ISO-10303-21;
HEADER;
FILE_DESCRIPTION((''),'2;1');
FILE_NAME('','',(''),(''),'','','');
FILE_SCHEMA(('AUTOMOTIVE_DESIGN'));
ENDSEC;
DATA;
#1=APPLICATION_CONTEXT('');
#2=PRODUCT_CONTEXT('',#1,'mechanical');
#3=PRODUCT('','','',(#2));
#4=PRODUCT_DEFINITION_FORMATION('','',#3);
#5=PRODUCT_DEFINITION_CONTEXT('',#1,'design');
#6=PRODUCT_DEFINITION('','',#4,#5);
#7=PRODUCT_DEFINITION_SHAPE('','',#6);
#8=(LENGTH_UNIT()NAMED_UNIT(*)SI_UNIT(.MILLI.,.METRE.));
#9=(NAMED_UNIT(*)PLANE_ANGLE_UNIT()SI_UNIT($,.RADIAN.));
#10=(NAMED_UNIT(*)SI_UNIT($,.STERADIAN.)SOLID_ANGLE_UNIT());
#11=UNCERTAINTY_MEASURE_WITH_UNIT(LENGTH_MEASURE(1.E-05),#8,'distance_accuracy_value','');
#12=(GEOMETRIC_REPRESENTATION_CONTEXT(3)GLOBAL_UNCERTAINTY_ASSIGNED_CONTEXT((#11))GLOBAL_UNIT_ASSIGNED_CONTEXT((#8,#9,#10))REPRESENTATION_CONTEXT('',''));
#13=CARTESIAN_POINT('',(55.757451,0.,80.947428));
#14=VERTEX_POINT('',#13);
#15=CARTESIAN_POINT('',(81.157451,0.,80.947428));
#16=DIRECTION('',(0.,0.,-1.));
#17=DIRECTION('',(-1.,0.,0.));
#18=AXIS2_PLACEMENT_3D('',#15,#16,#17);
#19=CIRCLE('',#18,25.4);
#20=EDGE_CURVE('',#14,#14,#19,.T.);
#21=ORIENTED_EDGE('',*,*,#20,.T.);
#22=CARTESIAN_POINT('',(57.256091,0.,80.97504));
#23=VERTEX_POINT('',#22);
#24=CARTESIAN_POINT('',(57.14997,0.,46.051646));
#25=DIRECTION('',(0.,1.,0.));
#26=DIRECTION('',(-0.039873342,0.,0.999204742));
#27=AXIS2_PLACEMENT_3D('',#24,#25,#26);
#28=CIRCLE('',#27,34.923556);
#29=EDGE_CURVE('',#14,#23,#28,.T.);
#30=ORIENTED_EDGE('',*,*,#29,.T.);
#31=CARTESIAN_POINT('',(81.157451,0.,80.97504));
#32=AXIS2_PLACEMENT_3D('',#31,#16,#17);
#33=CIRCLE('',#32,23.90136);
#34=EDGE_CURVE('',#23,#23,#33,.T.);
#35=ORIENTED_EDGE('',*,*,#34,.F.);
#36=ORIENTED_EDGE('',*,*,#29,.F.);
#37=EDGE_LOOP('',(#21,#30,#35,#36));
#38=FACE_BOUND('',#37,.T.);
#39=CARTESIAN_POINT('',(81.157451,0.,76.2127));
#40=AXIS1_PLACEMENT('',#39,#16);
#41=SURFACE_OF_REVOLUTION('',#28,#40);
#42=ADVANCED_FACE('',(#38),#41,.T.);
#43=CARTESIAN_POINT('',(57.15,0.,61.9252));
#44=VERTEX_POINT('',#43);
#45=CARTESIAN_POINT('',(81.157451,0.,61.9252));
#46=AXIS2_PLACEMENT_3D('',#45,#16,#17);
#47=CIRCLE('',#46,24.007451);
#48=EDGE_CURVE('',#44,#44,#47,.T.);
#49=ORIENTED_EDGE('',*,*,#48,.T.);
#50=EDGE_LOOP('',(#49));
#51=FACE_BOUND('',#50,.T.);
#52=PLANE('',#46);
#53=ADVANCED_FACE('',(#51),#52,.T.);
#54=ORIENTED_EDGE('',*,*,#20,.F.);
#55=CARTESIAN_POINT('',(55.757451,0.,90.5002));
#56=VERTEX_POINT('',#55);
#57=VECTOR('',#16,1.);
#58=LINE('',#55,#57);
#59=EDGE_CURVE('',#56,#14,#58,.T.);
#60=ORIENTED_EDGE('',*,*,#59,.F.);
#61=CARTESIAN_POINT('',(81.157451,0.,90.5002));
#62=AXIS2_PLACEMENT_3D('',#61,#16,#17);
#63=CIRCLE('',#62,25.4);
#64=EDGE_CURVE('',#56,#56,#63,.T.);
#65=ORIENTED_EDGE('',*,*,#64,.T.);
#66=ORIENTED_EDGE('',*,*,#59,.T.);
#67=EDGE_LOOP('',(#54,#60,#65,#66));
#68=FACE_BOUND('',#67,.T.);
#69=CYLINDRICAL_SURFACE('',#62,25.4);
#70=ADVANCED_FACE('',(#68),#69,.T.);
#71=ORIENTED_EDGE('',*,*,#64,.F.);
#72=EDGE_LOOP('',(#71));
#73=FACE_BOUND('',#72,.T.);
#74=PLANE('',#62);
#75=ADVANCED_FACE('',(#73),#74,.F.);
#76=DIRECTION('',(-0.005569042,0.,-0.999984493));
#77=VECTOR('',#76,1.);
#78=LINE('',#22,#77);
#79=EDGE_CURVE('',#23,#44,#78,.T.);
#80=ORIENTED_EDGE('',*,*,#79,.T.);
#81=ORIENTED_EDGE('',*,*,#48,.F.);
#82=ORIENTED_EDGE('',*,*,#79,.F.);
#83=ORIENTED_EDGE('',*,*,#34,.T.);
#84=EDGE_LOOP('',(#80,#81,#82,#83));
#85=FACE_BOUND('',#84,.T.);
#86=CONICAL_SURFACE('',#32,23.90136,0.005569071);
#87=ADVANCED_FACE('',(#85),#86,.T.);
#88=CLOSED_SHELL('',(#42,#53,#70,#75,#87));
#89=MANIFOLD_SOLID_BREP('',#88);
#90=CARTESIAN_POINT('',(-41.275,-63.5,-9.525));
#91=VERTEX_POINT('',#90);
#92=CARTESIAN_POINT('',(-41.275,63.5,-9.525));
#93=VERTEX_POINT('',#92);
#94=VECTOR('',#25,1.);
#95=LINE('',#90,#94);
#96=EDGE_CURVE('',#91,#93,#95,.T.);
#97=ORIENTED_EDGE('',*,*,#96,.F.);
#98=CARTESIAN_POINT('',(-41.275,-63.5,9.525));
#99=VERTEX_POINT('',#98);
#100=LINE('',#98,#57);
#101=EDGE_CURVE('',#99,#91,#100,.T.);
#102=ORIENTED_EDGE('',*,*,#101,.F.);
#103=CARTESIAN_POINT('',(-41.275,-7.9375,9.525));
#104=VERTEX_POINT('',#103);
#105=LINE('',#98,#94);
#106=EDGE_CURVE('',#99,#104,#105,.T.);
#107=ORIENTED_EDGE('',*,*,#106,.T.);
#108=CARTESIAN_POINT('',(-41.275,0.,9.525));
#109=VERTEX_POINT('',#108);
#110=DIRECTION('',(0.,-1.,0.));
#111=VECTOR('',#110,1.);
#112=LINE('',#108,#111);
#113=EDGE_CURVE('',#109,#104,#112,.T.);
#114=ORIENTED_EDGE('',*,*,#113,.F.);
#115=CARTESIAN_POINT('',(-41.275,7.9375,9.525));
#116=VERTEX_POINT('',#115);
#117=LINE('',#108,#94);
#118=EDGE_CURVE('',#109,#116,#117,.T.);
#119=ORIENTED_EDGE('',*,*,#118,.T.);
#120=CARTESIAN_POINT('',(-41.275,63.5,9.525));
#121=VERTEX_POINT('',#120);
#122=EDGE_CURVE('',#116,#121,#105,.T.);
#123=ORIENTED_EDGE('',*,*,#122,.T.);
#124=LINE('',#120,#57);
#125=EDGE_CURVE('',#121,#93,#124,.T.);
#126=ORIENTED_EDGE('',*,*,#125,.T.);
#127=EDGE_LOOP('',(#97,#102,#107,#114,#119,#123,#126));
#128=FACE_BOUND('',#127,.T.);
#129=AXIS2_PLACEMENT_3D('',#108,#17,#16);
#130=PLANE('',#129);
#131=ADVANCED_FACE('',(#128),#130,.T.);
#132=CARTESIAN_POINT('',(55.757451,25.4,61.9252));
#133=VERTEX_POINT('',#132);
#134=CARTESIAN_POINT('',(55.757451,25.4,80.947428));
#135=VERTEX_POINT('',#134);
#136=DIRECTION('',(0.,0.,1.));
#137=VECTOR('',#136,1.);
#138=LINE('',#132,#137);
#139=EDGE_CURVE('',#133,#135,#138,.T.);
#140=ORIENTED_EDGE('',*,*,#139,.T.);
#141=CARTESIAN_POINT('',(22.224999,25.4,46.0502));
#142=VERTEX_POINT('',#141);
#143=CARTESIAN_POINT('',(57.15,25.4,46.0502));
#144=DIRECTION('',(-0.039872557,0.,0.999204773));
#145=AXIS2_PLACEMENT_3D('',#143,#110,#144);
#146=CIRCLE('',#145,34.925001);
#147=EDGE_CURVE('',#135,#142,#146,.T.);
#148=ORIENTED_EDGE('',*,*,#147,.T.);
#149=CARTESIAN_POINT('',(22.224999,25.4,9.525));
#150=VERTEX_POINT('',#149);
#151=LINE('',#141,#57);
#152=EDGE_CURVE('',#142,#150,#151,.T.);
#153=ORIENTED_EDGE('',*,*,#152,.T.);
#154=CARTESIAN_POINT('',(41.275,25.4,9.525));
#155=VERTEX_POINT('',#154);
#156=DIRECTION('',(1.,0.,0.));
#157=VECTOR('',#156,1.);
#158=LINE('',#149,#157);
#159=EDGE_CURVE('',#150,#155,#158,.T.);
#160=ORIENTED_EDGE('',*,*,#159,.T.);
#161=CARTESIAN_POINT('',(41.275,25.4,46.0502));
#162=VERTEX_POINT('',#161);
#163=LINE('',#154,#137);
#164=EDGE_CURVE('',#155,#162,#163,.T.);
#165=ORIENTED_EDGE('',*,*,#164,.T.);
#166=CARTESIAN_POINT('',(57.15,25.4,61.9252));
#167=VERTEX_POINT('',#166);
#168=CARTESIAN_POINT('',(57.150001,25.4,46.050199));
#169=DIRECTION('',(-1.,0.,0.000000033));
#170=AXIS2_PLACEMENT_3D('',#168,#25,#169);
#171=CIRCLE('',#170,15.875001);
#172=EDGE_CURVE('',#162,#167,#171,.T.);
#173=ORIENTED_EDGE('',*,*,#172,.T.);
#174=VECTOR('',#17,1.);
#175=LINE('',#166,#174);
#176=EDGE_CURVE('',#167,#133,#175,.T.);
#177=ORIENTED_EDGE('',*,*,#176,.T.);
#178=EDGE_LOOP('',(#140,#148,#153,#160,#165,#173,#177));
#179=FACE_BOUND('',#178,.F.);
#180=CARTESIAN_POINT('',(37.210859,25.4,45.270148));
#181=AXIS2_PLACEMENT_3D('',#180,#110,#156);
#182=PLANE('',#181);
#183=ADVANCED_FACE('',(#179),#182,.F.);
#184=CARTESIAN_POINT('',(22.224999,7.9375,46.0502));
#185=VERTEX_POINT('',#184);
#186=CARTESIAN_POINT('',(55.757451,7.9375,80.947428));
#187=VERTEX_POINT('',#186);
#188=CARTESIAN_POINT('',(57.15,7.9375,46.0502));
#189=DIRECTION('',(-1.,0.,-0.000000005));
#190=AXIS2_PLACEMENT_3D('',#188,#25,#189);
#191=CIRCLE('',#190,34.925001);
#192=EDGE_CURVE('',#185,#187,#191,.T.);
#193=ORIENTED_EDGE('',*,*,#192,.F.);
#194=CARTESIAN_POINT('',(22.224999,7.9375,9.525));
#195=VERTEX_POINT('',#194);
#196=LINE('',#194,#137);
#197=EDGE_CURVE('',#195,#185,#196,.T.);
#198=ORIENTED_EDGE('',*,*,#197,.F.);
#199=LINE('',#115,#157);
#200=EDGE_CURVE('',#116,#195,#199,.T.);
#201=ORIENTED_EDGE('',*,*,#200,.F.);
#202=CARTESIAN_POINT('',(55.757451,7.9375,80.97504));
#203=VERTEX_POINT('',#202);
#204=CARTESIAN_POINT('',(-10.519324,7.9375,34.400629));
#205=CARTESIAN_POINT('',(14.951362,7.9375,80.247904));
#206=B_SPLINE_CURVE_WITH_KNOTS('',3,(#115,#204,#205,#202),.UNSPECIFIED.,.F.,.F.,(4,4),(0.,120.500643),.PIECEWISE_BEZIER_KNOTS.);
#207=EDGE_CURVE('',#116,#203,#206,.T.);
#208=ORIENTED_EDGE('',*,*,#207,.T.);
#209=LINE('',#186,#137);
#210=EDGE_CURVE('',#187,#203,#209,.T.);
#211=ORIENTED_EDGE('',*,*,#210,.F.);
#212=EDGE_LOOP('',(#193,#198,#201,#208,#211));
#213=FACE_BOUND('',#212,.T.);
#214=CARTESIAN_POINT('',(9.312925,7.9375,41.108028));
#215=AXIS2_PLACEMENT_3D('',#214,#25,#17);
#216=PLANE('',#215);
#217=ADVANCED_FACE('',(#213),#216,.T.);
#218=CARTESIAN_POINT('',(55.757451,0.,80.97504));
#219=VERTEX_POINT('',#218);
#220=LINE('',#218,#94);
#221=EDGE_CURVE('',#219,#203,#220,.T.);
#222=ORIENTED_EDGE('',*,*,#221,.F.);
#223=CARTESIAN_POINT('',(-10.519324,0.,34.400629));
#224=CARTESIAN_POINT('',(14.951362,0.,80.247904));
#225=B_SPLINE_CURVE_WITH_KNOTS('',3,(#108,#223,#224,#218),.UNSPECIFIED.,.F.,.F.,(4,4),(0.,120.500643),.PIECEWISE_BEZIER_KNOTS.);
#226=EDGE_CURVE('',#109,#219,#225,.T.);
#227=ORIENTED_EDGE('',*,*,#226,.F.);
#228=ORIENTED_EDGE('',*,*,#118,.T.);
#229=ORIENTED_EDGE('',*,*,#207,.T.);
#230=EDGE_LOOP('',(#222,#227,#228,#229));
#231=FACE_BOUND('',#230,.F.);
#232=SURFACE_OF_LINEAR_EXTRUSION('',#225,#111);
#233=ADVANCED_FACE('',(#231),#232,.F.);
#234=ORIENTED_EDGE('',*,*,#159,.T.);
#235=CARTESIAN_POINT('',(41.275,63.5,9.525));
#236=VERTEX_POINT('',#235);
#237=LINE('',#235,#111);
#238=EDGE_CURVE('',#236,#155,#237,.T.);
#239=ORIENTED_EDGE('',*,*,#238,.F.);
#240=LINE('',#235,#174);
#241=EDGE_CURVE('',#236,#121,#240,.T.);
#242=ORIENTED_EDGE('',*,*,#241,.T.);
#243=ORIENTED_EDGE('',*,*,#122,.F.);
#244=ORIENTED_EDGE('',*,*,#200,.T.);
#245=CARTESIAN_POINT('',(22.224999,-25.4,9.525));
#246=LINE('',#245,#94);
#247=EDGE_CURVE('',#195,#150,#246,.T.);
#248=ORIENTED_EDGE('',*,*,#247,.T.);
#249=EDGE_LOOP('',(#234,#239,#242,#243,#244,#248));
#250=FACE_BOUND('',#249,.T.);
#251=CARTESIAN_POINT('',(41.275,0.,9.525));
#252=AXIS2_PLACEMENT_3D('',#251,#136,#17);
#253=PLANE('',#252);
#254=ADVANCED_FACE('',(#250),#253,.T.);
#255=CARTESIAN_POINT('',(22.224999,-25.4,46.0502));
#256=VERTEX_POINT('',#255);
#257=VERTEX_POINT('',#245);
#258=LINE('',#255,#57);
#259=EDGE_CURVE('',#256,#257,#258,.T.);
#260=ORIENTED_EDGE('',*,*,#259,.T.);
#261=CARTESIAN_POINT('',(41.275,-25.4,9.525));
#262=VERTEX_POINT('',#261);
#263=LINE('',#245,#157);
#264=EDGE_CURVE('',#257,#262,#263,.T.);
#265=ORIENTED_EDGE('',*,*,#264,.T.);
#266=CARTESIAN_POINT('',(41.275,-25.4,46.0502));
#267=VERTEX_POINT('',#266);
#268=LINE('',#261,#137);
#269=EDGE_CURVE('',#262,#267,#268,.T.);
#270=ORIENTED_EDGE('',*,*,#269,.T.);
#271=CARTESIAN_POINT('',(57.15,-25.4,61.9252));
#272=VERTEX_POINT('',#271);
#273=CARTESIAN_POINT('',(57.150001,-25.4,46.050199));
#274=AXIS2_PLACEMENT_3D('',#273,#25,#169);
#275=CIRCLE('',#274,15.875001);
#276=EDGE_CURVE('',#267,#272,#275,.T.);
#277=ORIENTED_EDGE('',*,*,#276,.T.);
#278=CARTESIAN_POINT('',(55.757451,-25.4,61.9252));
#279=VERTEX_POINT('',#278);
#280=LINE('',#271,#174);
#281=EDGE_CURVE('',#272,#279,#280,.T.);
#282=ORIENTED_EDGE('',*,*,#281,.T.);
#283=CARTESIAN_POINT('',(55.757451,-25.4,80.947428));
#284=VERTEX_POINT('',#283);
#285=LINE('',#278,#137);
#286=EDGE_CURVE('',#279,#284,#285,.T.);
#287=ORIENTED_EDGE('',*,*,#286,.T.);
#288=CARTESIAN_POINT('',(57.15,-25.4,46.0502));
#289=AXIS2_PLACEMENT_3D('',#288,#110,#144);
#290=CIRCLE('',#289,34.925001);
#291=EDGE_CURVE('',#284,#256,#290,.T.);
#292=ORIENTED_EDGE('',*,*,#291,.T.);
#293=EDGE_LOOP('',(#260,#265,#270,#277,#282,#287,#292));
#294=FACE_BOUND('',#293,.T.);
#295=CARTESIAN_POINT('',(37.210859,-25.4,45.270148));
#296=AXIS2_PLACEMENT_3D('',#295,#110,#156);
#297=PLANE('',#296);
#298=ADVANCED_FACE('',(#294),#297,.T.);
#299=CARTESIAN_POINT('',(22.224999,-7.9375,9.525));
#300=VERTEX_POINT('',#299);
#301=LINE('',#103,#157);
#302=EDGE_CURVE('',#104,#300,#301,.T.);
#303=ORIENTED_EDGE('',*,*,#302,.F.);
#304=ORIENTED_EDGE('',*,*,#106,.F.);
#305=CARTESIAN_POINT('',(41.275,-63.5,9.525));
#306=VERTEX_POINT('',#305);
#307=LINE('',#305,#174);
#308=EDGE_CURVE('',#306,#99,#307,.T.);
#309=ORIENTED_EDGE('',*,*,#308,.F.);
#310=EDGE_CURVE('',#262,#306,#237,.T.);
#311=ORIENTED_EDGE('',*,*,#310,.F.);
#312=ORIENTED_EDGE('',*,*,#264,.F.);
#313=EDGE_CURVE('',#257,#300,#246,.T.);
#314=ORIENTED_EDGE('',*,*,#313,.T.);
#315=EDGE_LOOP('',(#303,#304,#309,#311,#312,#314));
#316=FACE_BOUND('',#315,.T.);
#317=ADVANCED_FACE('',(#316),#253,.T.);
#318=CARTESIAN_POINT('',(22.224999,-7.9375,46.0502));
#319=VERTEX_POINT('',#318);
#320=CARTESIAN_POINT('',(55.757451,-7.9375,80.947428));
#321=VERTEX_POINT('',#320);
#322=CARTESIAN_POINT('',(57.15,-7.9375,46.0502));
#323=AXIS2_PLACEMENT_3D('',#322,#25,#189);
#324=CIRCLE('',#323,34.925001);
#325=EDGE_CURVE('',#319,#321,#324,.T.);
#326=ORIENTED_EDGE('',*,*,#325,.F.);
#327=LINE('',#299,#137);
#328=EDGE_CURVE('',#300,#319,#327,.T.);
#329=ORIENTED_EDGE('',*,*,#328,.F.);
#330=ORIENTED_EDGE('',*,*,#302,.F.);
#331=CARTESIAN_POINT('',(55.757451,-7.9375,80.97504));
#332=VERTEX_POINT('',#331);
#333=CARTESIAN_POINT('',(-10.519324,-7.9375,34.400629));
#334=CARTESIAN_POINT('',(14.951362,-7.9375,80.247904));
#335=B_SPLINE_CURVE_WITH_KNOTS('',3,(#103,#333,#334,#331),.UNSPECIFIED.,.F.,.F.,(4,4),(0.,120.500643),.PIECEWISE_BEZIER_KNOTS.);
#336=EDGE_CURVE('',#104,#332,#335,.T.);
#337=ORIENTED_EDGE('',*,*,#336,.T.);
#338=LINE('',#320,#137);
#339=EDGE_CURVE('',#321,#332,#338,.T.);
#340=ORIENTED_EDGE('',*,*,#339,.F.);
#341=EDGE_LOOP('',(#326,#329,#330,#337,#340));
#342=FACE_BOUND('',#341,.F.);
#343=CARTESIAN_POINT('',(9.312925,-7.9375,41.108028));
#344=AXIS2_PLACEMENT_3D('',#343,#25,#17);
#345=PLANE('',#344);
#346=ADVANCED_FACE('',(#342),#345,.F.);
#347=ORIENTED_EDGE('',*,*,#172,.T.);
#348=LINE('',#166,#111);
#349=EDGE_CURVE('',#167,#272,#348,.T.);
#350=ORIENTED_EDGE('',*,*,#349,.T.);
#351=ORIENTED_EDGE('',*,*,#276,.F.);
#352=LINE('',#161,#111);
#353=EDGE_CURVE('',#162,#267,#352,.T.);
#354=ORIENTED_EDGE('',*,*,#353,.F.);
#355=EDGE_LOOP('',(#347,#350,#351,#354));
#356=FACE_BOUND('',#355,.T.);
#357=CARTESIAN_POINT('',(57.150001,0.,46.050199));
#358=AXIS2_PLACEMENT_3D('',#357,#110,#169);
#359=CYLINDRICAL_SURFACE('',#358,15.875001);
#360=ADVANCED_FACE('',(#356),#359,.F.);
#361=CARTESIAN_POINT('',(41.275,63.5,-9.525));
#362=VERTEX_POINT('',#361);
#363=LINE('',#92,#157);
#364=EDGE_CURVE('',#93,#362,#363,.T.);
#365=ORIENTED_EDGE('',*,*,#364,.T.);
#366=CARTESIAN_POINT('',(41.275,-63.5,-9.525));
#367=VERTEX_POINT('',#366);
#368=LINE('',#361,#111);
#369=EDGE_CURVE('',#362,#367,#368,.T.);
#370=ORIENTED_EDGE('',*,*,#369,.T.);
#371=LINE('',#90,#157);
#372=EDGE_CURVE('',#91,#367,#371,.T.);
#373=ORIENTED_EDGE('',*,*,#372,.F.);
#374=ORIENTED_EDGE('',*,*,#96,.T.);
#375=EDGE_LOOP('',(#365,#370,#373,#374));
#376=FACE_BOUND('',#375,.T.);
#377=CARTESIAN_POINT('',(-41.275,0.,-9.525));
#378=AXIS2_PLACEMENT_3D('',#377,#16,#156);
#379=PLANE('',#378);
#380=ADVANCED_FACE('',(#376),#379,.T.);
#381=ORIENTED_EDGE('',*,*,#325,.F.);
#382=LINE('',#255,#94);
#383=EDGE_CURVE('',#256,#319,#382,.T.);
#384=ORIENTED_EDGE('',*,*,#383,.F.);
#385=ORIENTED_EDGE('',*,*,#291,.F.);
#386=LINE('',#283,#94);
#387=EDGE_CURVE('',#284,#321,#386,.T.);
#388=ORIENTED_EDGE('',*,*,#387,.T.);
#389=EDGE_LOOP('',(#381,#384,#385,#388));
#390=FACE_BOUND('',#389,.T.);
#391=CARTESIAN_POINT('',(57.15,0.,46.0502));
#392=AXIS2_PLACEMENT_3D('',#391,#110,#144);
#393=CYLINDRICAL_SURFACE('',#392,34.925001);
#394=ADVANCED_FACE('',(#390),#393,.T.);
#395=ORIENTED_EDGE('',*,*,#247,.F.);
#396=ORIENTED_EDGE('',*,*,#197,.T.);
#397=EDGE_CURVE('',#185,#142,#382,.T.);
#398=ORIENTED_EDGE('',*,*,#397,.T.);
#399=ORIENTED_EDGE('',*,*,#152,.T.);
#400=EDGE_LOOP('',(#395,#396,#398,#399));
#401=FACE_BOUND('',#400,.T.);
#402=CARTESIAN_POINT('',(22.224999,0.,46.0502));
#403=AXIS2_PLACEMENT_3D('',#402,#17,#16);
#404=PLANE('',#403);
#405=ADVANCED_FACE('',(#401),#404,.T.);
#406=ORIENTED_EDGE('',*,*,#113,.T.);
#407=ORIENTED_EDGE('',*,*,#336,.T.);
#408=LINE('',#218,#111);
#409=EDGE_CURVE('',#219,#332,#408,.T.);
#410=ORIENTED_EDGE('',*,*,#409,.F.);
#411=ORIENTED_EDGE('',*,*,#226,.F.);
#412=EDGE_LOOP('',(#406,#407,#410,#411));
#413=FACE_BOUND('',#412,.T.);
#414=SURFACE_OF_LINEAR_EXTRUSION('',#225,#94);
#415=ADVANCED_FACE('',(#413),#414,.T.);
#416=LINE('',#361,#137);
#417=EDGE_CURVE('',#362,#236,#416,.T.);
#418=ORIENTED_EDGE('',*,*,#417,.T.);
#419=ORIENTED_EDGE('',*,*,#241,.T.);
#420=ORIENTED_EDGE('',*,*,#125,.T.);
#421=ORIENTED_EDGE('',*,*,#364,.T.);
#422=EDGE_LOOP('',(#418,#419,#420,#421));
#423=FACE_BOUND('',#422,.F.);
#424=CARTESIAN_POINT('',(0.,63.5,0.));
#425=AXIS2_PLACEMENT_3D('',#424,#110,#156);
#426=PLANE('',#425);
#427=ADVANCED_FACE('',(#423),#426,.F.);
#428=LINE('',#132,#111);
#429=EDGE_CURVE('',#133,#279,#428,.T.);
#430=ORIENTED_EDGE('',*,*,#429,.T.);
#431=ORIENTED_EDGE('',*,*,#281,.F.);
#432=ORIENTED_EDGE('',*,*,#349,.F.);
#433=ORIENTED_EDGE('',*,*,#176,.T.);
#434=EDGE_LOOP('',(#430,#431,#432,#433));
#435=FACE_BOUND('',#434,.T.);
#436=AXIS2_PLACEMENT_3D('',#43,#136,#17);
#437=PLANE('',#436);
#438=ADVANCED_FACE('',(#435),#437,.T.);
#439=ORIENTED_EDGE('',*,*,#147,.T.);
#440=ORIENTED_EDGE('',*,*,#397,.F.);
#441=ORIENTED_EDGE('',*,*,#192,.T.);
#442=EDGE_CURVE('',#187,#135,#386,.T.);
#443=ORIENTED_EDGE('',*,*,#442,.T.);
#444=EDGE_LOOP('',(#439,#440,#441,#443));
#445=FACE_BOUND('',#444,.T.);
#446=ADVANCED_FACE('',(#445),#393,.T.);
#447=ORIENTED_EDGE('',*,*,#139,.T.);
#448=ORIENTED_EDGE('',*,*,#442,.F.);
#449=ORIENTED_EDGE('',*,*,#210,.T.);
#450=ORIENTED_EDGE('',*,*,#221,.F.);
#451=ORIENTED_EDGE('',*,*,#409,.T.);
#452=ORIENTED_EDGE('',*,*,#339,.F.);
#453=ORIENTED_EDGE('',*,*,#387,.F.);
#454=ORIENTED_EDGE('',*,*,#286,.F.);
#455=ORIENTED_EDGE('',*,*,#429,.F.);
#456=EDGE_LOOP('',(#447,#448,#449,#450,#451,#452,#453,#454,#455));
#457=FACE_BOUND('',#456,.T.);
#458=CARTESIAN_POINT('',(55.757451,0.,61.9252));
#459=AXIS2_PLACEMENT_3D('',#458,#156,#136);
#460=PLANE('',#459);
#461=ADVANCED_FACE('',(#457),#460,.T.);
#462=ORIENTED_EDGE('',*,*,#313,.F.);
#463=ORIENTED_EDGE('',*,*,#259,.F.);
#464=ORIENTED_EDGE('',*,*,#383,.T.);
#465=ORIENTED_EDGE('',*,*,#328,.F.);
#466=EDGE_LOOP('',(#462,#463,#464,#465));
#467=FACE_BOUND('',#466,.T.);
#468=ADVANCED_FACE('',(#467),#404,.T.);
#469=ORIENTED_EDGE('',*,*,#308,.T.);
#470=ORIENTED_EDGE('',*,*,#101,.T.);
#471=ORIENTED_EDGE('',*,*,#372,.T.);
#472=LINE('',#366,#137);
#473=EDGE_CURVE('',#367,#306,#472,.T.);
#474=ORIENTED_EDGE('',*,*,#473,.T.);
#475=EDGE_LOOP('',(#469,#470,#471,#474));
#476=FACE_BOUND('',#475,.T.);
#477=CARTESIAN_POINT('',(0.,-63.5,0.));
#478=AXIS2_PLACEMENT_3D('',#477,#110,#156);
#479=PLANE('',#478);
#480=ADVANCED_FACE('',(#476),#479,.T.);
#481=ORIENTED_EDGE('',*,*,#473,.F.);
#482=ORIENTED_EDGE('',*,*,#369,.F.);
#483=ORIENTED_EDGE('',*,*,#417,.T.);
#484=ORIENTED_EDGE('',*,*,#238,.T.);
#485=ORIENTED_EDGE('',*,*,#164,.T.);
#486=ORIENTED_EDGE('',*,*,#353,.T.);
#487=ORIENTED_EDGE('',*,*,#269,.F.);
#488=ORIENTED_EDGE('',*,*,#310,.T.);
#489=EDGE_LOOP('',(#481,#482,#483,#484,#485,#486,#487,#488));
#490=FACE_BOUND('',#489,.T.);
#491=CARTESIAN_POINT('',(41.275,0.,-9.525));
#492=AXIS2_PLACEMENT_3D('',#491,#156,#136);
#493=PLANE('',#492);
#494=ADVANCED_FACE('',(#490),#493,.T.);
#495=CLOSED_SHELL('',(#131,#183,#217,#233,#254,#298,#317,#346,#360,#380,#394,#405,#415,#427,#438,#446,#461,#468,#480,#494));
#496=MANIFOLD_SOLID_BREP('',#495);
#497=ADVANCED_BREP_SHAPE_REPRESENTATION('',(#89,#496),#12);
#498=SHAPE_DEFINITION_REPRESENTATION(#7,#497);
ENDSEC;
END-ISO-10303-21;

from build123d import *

# Parameters (mm, degrees)
F1_DEPTH = 63.5
F2_DEPTH = 25.4
F3_DEPTH = 7.9375


with BuildPart() as f1:
    # F0 (on Front) → F1 (new body, symmetric)
    with BuildSketch(Plane.XZ):
        Polygon((-41.275, -9.525), (41.275, -9.525), (41.275, 9.525), (22.224999, 9.525), (-41.275, 9.525), align=None)
    extrude(amount=F1_DEPTH, both=True)

    # F0 (on Front) → F2 (join, symmetric)
    with BuildSketch(Plane.XZ):
        with BuildLine():
            Line((22.224999, 9.525), (41.275, 9.525))
            Line((41.275, 9.525), (41.275, 46.0502))
            ThreePointArc((41.275, 46.0502), (45.92468, 57.27552), (57.15, 61.9252))
            Line((57.15, 61.9252), (55.757451, 61.9252))
            Line((55.757451, 61.9252), (55.757451, 80.947428))
            ThreePointArc((55.757451, 80.947428), (31.966767, 70.248557), (22.224999, 46.0502))
            Line((22.224999, 46.0502), (22.224999, 9.525))
        make_face()
    extrude(amount=F2_DEPTH, both=True)

    # F0 (on Front) → F3 (join, symmetric)
    with BuildSketch(Plane.XZ):
        with BuildLine():
            add(Edge.make_bspline(
                [(-41.275, 9.525), (-10.519324, 34.400629), (14.951362, 80.247904), (55.757451, 80.97504)],
                knots=[0, 0, 0, 0, 120.500643, 120.500643, 120.500643, 120.500643], degree=3))
            Line((-41.275, 9.525), (22.224999, 9.525))
            Line((22.224999, 9.525), (22.224999, 46.0502))
            ThreePointArc((22.224999, 46.0502), (31.966767, 70.248557), (55.757451, 80.947428))
            Line((55.757451, 80.947428), (55.757451, 80.97504))
        make_face()
    extrude(amount=F3_DEPTH, both=True)


with BuildPart() as f4:
    # F0 (on Front) → F4 (revolve)
    with BuildSketch(Plane.XZ):
        with BuildLine():
            Line((55.757451, 90.5002), (55.757451, 80.97504))
            Line((55.757451, 80.97504), (55.757451, 80.947428))
            ThreePointArc((55.757451, 80.947428), (56.506623, 80.969275), (57.256091, 80.97504))
            Line((57.256091, 80.97504), (57.15, 61.9252))
            Line((57.15, 61.9252), (81.157451, 61.9252))
            Line((81.157451, 61.9252), (81.157451, 90.5002))
            Line((81.157451, 90.5002), (55.757451, 90.5002))
        make_face()
    revolve(axis=Axis((81.157451, 0, 76.2127), (0, 0, -1)))


solid = Compound([f1.part, f4.part])
